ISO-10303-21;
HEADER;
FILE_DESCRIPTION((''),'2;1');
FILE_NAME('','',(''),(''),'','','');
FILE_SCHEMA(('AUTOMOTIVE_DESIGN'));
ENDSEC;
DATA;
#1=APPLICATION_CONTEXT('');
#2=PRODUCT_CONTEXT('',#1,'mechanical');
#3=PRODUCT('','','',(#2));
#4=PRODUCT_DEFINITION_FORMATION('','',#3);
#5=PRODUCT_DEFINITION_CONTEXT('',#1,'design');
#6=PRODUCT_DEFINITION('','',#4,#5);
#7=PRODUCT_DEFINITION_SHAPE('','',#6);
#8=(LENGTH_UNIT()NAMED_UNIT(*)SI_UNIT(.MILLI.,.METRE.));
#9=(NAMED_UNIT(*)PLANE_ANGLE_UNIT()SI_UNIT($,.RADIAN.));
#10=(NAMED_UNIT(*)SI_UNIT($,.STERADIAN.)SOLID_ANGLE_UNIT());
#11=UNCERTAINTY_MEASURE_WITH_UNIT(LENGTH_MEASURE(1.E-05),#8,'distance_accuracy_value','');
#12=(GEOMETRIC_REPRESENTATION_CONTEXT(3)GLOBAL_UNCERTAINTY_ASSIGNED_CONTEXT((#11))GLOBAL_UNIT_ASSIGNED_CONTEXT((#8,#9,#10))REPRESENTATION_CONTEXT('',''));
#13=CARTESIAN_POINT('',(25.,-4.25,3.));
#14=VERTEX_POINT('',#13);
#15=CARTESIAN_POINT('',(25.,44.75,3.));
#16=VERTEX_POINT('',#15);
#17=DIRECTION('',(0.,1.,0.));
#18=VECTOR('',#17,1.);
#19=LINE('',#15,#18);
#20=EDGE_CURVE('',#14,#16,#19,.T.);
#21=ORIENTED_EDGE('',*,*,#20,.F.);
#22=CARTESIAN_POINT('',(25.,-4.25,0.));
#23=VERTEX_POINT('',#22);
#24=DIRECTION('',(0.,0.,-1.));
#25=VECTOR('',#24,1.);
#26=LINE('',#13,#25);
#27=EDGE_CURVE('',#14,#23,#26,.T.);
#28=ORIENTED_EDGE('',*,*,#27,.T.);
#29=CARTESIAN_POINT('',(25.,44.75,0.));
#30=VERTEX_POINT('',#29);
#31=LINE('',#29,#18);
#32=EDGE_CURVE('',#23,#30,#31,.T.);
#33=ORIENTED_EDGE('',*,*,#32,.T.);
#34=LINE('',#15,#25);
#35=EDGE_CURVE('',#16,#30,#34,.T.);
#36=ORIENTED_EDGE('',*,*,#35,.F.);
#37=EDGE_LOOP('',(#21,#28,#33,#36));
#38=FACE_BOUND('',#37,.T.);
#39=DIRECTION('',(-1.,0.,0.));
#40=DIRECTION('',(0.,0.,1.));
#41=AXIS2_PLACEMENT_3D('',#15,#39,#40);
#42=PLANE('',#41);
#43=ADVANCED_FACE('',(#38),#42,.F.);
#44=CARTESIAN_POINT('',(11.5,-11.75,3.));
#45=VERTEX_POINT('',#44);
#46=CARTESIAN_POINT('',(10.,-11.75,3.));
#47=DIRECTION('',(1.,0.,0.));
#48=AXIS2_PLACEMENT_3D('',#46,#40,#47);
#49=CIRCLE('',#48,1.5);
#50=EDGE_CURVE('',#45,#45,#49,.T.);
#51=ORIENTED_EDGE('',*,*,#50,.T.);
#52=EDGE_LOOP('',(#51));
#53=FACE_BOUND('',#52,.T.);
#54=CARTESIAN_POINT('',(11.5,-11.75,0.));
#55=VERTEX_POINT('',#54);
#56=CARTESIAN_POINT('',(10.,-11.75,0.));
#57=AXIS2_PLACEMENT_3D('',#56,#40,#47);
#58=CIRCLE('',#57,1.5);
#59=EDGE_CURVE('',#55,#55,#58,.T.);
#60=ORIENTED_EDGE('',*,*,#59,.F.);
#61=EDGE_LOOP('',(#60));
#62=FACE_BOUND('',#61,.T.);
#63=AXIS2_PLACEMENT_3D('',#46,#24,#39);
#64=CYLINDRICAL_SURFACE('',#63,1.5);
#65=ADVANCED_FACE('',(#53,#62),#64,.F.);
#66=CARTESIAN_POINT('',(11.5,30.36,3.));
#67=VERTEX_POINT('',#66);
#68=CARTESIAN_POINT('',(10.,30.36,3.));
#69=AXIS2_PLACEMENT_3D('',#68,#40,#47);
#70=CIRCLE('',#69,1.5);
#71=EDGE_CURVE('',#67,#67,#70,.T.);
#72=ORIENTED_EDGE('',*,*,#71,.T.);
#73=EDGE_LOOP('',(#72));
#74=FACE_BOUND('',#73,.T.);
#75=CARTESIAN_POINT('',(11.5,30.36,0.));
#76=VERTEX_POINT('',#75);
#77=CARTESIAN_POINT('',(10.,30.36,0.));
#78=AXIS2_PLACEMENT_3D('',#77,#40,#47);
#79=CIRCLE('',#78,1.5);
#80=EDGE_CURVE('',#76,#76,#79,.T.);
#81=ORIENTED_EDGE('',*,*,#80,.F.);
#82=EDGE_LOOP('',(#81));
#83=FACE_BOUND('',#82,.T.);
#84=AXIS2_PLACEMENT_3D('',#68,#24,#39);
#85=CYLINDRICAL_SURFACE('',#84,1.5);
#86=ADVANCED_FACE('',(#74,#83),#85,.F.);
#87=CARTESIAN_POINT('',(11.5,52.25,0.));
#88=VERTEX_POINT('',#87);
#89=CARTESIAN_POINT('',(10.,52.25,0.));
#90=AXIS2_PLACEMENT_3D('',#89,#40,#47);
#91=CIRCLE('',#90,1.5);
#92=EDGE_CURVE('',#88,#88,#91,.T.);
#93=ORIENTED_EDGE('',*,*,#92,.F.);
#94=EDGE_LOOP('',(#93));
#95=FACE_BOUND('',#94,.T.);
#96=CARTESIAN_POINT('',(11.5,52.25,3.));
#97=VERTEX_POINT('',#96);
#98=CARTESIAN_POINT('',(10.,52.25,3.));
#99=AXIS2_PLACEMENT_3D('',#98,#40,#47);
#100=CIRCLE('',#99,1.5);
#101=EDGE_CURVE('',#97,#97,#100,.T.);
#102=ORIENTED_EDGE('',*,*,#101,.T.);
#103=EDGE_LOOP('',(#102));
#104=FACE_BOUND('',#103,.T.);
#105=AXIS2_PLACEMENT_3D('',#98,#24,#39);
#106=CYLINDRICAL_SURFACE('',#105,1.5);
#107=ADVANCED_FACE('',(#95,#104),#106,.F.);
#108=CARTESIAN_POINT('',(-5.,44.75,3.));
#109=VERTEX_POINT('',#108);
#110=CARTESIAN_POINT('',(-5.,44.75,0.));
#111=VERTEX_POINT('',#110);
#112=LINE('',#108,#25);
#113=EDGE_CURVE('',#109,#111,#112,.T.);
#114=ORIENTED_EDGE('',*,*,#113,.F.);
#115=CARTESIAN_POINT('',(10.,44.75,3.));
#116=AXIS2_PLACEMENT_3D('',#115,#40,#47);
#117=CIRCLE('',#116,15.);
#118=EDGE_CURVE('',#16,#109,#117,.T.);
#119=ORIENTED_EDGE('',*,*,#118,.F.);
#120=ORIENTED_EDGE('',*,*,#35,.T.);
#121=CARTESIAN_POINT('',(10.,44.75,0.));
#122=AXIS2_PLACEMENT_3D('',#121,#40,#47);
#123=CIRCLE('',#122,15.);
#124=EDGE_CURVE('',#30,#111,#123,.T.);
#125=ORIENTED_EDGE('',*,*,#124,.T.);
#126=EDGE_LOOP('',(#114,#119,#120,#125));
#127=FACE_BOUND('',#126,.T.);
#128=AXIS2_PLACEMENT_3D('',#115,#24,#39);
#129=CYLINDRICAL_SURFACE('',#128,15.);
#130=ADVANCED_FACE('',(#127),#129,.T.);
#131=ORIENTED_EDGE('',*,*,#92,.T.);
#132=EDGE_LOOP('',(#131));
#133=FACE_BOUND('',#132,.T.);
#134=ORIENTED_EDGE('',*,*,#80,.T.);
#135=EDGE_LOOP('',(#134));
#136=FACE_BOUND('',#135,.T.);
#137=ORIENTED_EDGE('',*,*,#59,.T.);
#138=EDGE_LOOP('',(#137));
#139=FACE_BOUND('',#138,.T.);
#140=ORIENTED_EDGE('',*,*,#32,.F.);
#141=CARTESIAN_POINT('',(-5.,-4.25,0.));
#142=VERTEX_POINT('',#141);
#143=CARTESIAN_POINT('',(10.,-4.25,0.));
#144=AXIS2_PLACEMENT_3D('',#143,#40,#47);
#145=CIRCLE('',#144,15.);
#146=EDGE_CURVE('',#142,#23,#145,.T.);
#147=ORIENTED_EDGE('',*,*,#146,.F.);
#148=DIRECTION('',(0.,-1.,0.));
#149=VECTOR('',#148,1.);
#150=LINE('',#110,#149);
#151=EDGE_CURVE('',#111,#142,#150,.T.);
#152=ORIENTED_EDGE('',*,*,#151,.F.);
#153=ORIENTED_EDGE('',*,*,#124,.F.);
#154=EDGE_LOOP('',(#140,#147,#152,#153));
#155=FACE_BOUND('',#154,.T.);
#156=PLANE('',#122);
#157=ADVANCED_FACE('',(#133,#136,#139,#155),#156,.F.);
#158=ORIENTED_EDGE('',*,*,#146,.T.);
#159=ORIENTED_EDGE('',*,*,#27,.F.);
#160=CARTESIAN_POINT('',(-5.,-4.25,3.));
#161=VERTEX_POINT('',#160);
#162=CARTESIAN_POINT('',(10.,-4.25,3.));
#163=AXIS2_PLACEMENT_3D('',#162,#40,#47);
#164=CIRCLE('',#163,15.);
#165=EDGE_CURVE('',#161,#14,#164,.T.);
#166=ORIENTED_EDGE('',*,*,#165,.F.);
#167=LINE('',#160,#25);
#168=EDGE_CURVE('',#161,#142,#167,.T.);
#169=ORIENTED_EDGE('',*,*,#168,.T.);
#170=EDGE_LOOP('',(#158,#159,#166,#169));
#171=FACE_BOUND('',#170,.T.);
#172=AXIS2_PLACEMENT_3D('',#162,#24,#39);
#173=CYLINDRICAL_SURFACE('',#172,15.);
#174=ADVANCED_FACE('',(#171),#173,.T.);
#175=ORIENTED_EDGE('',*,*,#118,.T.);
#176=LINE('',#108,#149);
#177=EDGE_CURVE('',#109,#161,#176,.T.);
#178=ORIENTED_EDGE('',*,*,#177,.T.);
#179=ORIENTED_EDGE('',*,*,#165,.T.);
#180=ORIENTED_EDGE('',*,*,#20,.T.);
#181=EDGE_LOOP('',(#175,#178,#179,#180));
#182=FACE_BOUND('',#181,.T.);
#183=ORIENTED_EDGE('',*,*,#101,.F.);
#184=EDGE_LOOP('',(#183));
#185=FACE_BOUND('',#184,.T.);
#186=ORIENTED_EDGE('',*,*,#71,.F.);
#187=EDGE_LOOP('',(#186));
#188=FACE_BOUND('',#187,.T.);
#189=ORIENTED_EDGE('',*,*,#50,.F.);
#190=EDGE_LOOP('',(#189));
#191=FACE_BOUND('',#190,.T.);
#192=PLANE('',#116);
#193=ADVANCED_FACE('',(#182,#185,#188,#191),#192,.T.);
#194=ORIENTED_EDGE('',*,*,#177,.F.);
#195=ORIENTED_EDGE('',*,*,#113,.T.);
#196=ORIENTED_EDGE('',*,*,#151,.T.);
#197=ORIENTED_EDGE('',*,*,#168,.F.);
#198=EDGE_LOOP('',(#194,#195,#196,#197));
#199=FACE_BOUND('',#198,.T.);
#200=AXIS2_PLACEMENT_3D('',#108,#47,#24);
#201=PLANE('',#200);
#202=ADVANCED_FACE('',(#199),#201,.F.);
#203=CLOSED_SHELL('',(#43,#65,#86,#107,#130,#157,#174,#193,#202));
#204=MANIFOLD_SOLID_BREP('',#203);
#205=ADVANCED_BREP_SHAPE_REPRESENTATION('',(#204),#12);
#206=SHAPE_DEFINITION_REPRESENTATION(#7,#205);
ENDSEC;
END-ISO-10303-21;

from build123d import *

# Parameters (mm, degrees)
SKETCH1_R           = 1.5
BOSS_EXTRUDE1_DEPTH = 3


with BuildPart() as part:
    # Sketch1 → Boss-Extrude1 (new body)
    with BuildSketch(Plane.XY):
        with BuildLine():
            Line((-5, 44.75), (-5, -4.25))
            ThreePointArc((-5, -4.25), (10, -19.25), (25, -4.25))
            Line((25, -4.25), (25, 44.75))
            ThreePointArc((25, 44.75), (10, 59.75), (-5, 44.75))
        make_face()
        with Locations((10, 52.25)):
            Circle(SKETCH1_R, mode=Mode.SUBTRACT)
        with Locations((10, -11.75)):
            Circle(SKETCH1_R, mode=Mode.SUBTRACT)
        with Locations((10, 30.36)):
            Circle(SKETCH1_R, mode=Mode.SUBTRACT)
    extrude(amount=BOSS_EXTRUDE1_DEPTH)


solid = part.part
